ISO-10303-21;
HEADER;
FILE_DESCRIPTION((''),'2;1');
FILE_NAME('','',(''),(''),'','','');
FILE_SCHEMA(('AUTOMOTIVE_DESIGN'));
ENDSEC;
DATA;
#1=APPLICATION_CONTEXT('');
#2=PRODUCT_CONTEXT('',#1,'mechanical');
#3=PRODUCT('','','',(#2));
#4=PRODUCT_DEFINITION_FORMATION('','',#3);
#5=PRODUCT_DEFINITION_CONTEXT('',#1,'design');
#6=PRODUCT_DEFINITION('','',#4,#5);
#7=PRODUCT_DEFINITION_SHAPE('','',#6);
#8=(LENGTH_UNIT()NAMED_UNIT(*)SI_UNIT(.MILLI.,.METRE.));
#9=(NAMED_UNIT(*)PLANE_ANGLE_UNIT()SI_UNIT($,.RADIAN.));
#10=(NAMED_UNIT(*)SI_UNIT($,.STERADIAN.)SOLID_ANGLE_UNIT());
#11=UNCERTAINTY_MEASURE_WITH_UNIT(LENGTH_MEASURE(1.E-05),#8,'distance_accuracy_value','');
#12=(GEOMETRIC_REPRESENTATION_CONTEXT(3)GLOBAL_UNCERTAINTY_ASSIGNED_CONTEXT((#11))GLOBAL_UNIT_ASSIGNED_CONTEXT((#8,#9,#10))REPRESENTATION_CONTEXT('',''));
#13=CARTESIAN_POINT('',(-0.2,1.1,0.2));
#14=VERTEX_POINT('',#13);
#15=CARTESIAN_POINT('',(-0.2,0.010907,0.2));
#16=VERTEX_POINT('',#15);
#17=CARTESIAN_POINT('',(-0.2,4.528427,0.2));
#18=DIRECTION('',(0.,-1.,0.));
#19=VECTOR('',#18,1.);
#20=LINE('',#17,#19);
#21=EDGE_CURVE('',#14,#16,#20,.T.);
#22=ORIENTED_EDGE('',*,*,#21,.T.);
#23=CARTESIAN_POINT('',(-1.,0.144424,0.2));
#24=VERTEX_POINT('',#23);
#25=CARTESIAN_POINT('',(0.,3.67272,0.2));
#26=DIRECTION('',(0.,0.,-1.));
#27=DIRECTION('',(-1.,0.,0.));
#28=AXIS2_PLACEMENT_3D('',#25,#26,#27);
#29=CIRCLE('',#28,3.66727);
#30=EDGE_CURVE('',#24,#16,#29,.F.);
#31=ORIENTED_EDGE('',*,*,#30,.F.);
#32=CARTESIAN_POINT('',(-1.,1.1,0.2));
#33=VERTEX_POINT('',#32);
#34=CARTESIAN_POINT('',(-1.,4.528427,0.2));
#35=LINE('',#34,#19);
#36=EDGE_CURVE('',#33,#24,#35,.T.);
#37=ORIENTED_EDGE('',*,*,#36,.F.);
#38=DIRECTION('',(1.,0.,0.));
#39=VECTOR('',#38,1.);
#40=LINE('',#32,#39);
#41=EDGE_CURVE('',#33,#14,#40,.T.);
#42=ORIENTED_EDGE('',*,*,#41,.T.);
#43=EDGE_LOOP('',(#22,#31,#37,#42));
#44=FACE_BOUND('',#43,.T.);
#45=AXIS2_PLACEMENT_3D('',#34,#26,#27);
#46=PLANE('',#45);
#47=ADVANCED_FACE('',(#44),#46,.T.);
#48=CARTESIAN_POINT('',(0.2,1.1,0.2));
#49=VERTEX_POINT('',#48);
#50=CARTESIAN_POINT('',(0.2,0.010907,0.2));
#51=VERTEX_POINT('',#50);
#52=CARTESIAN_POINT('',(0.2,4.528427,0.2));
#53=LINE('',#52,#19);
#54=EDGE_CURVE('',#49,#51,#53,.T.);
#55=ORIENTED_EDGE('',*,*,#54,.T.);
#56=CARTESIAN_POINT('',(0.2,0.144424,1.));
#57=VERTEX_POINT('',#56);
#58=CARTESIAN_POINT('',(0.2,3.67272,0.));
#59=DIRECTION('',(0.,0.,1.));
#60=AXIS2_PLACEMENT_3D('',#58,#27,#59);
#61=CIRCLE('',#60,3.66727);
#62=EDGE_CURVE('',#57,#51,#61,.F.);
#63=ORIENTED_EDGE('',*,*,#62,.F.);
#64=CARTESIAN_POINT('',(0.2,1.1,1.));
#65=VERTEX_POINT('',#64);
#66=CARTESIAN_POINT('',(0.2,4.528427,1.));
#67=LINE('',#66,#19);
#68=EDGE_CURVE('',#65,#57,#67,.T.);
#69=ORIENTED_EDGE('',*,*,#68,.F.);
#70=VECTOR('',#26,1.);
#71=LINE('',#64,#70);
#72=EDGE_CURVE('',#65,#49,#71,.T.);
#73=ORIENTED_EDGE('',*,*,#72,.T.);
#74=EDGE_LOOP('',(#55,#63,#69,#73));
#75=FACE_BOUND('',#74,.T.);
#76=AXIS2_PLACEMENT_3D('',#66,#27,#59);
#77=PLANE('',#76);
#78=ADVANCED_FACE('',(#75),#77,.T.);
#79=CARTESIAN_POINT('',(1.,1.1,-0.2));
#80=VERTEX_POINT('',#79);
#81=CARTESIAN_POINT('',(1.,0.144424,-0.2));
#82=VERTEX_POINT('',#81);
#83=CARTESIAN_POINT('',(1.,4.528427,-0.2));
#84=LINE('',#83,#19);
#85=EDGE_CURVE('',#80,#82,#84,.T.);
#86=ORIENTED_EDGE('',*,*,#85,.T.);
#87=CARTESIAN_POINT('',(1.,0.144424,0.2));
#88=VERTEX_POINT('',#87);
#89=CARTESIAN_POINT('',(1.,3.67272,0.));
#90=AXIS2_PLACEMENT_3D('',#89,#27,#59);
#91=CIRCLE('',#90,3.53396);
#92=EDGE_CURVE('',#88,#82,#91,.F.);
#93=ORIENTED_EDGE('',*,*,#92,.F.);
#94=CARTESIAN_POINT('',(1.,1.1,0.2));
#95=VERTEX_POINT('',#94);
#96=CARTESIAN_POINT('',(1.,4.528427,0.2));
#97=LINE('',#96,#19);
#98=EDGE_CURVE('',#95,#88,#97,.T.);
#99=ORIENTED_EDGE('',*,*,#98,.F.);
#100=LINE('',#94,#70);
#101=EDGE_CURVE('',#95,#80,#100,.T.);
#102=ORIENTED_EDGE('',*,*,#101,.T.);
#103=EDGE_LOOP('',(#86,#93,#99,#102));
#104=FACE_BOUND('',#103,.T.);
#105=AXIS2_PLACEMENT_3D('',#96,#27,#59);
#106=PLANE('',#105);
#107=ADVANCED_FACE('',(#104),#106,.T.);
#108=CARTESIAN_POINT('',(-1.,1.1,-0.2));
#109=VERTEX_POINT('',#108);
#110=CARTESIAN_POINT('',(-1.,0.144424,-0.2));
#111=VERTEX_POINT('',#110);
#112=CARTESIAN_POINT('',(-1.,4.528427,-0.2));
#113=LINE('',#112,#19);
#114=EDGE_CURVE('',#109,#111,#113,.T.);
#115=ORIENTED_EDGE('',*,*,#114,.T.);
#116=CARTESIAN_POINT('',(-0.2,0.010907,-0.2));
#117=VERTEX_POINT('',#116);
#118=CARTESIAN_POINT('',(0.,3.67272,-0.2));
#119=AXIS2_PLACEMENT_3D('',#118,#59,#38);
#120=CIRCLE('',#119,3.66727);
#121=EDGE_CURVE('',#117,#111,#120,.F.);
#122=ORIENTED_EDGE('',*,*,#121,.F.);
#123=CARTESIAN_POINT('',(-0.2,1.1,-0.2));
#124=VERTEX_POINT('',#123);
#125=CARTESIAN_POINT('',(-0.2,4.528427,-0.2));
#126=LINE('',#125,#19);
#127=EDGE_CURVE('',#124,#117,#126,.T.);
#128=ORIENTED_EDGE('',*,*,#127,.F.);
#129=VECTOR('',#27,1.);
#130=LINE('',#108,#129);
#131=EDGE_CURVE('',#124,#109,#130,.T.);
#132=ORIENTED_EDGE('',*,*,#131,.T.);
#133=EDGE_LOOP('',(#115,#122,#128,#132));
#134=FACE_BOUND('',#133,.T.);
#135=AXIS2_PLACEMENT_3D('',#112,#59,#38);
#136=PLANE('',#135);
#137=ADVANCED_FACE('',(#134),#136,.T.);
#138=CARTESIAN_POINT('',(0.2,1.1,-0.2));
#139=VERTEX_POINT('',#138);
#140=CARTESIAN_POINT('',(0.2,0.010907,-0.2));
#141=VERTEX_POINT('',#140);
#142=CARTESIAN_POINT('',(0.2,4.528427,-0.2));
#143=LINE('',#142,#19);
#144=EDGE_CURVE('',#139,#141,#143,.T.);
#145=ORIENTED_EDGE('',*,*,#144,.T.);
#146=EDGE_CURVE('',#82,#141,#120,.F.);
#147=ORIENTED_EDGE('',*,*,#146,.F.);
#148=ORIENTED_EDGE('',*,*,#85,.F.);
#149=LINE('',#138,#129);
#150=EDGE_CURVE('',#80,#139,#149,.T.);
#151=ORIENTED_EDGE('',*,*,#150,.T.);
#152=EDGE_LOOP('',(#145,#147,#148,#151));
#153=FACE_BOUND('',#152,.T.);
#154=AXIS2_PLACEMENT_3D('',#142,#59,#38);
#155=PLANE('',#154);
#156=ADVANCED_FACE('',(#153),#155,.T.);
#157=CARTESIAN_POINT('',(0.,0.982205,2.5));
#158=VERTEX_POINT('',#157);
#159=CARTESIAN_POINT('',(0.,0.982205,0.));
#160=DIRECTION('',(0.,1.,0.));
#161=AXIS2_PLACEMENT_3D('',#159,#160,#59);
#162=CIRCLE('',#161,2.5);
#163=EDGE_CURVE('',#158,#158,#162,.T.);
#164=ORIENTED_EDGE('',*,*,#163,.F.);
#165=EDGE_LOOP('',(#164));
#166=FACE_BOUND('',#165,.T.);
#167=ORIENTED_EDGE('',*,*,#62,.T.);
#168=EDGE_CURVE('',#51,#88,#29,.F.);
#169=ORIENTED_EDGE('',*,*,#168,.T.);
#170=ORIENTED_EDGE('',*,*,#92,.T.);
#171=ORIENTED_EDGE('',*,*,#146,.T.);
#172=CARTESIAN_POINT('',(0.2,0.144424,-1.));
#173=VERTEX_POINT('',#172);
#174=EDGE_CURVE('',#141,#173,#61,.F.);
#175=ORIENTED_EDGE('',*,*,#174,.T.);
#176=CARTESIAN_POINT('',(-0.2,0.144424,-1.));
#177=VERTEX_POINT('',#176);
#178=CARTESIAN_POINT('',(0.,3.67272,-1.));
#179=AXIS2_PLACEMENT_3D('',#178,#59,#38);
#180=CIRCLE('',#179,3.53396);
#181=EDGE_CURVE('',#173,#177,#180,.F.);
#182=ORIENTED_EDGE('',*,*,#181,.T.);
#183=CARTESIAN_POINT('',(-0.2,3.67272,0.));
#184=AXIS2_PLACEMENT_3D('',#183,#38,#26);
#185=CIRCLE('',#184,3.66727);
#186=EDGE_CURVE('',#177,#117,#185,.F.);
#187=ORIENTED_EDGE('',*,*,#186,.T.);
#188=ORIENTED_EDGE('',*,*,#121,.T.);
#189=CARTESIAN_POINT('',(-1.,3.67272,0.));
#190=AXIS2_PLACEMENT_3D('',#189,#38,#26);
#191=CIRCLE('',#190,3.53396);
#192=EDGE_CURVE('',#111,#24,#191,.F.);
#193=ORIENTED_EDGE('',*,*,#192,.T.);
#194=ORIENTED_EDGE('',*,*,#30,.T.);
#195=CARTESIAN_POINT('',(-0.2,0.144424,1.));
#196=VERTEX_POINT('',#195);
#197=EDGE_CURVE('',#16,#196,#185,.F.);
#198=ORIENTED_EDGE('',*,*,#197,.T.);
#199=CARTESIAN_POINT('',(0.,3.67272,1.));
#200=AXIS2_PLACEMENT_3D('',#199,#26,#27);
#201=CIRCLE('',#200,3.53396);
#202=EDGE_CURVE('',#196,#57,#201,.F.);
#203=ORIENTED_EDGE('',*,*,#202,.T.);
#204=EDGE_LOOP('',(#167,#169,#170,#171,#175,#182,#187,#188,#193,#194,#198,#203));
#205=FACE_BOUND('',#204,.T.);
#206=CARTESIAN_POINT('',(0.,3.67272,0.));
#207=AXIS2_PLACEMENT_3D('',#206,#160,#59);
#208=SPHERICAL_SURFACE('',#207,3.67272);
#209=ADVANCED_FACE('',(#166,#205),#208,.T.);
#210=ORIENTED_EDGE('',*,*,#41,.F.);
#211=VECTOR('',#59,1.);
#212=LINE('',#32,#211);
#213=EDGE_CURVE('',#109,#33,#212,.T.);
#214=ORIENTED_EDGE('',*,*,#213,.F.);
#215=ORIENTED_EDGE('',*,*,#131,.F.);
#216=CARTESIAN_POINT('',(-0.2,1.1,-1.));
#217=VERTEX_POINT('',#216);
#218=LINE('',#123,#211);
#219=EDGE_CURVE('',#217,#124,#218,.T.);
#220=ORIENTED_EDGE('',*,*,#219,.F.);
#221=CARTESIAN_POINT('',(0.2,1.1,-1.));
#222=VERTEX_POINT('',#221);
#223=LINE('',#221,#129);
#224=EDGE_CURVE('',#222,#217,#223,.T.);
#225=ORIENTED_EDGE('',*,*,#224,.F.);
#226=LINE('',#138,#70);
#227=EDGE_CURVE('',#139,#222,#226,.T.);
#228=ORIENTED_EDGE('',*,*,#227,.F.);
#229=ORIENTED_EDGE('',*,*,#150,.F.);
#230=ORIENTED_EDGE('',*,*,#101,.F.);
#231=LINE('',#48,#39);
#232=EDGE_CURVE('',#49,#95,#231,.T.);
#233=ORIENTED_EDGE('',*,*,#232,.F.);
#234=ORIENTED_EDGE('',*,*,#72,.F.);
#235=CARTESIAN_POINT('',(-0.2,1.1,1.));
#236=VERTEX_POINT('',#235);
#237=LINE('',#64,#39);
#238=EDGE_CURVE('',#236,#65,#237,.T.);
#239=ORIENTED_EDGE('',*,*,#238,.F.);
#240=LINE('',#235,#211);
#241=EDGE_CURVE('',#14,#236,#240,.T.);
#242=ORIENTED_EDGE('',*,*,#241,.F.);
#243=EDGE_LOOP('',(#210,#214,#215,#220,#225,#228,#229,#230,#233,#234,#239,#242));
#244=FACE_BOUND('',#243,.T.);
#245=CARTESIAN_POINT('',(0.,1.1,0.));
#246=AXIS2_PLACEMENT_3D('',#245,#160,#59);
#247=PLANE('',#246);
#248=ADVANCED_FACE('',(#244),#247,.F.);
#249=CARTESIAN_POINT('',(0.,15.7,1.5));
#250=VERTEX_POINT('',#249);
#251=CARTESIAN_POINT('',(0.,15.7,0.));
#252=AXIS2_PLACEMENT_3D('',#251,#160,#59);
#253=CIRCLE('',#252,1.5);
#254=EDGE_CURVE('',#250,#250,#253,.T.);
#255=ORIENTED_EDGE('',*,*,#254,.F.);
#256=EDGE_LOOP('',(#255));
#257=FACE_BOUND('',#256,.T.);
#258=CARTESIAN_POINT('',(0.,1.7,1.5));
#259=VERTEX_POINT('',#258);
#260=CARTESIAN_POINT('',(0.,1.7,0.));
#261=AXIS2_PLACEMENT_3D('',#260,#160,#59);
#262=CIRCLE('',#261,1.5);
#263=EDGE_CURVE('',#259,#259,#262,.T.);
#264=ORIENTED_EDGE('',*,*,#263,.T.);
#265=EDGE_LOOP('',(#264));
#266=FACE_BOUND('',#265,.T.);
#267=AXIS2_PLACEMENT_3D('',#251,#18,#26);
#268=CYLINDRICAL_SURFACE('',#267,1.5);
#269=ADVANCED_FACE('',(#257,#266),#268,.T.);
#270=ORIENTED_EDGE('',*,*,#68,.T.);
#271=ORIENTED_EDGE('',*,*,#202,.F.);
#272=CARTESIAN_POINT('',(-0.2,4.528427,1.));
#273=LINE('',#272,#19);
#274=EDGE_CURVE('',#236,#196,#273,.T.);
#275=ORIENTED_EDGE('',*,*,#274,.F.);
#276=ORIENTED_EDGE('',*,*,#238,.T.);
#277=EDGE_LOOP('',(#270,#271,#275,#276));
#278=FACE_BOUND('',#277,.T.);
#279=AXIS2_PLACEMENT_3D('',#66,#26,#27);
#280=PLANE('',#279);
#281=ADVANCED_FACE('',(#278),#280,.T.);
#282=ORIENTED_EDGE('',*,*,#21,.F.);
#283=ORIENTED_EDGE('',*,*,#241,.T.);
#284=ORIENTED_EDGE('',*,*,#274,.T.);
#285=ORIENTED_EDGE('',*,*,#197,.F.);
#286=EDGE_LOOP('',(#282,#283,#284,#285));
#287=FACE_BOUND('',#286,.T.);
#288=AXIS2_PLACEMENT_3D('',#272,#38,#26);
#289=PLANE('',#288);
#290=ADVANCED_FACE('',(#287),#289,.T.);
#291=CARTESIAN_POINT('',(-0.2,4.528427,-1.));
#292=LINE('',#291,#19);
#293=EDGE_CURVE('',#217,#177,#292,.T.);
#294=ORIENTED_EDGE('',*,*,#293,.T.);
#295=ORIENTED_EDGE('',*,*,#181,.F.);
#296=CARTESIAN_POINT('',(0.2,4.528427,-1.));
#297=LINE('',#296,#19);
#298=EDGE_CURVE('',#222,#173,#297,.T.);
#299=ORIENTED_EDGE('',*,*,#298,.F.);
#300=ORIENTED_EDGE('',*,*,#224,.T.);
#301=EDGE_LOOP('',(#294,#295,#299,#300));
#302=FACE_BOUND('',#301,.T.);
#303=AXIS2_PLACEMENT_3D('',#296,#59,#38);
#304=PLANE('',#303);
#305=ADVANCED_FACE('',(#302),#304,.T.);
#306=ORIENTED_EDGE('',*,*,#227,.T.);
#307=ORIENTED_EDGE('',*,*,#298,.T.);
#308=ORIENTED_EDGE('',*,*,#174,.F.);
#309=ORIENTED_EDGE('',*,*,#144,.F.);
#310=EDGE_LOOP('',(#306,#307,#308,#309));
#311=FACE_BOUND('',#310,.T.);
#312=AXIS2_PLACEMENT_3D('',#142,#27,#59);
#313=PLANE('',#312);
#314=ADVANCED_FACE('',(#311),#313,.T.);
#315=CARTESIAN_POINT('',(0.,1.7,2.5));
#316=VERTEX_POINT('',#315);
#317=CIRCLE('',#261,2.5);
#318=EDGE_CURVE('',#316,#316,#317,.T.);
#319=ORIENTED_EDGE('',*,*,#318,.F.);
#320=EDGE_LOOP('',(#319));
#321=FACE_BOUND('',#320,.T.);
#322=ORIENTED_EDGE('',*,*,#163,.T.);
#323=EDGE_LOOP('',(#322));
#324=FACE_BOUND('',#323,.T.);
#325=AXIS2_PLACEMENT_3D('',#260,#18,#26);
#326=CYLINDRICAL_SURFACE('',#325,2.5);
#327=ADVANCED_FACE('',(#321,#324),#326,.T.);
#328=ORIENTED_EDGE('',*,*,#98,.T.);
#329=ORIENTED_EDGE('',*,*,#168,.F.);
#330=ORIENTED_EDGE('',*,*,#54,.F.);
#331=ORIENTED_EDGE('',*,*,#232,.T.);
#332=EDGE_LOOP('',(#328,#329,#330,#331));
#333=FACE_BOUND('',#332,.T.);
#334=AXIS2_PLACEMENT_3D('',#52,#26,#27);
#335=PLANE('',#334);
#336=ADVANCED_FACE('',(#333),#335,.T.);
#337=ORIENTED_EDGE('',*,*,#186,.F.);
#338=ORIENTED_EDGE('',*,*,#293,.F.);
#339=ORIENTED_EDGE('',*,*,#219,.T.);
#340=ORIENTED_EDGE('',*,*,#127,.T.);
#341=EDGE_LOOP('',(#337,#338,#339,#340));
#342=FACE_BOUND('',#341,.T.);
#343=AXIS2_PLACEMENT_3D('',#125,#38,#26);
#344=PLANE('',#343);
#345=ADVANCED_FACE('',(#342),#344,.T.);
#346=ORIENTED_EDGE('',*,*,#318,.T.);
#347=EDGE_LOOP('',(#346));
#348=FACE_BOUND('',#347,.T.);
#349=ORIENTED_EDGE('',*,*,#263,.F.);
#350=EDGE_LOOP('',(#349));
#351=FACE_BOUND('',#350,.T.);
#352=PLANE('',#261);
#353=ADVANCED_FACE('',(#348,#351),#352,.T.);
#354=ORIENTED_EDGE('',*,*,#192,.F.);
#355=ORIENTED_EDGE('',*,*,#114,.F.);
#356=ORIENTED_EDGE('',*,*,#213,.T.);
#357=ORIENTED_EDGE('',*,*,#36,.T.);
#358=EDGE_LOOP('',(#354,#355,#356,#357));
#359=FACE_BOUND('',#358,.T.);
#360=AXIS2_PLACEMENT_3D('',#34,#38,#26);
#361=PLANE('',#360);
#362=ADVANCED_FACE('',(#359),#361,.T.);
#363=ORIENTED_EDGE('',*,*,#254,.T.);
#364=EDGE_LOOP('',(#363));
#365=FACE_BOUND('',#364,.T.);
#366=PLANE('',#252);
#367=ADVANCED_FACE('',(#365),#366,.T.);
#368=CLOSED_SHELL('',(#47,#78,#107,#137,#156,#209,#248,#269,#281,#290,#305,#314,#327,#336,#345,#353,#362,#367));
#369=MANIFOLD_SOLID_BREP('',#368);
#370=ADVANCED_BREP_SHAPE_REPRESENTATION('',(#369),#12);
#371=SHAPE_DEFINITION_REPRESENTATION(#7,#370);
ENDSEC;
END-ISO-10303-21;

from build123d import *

# Parameters (mm, degrees)
SKETCH_1_R          = 2.5
EXTRUDE_1_DEPTH     = 1.7
SKETCH_2_R          = 1.5
EXTRUDE_2_DEPTH     = 14
CUT_EXTRUDE_1_DEPTH = 6.1


with BuildPart() as part:
    # 草图1 → 凸台-拉伸1 (new body)
    with BuildSketch(Plane(origin=(0, 0, 0), x_dir=(1, 0, 0), z_dir=(0, 1, 0))):
        Circle(SKETCH_1_R)
    extrude(amount=EXTRUDE_1_DEPTH)

    # 草图2 → 凸台-拉伸2 (add)
    with BuildSketch(Plane(origin=(0, 1.7, 0), x_dir=(1, 0, 0), z_dir=(0, 1, 0))):
        Circle(SKETCH_2_R)
    extrude(amount=EXTRUDE_2_DEPTH)

    # 草图3 one side → 切除-旋转3 (revolve, cut)
    with BuildSketch(Plane(origin=(0, 0, 0), x_dir=(0, 0, -1), z_dir=(1, 0, 0))):
        with BuildLine():
            ThreePointArc((2.5, 0.982204858), (1.343012135, 0.254359211), (0, 0))
            Line((0, 0), (0, -0.936416285))
            Line((0, -0.936416285), (3.543500435, -0.936416285))
            Line((3.543500435, -0.936416285), (2.5, 0.982204858))
        make_face()
    revolve(axis=Axis((0, 1.035939113, 0), (0, -1, 0)), mode=Mode.SUBTRACT)

    # 草图4 → 切除-拉伸1 (cut)
    with BuildSketch(Plane(origin=(0, -5, 0), x_dir=(1, 0, 0), z_dir=(0, 1, 0))):
        Polygon((-1, -0.2), (-0.2, -0.2), (-0.2, -1), (0.2, -1), (0.2, -0.2), (1, -0.2), (1, 0.2), (0.2, 0.2), (0.2, 1), (-0.2, 1), (-0.2, 0.2), (-1, 0.2), align=None)
    extrude(amount=CUT_EXTRUDE_1_DEPTH, mode=Mode.SUBTRACT)


solid = part.part
